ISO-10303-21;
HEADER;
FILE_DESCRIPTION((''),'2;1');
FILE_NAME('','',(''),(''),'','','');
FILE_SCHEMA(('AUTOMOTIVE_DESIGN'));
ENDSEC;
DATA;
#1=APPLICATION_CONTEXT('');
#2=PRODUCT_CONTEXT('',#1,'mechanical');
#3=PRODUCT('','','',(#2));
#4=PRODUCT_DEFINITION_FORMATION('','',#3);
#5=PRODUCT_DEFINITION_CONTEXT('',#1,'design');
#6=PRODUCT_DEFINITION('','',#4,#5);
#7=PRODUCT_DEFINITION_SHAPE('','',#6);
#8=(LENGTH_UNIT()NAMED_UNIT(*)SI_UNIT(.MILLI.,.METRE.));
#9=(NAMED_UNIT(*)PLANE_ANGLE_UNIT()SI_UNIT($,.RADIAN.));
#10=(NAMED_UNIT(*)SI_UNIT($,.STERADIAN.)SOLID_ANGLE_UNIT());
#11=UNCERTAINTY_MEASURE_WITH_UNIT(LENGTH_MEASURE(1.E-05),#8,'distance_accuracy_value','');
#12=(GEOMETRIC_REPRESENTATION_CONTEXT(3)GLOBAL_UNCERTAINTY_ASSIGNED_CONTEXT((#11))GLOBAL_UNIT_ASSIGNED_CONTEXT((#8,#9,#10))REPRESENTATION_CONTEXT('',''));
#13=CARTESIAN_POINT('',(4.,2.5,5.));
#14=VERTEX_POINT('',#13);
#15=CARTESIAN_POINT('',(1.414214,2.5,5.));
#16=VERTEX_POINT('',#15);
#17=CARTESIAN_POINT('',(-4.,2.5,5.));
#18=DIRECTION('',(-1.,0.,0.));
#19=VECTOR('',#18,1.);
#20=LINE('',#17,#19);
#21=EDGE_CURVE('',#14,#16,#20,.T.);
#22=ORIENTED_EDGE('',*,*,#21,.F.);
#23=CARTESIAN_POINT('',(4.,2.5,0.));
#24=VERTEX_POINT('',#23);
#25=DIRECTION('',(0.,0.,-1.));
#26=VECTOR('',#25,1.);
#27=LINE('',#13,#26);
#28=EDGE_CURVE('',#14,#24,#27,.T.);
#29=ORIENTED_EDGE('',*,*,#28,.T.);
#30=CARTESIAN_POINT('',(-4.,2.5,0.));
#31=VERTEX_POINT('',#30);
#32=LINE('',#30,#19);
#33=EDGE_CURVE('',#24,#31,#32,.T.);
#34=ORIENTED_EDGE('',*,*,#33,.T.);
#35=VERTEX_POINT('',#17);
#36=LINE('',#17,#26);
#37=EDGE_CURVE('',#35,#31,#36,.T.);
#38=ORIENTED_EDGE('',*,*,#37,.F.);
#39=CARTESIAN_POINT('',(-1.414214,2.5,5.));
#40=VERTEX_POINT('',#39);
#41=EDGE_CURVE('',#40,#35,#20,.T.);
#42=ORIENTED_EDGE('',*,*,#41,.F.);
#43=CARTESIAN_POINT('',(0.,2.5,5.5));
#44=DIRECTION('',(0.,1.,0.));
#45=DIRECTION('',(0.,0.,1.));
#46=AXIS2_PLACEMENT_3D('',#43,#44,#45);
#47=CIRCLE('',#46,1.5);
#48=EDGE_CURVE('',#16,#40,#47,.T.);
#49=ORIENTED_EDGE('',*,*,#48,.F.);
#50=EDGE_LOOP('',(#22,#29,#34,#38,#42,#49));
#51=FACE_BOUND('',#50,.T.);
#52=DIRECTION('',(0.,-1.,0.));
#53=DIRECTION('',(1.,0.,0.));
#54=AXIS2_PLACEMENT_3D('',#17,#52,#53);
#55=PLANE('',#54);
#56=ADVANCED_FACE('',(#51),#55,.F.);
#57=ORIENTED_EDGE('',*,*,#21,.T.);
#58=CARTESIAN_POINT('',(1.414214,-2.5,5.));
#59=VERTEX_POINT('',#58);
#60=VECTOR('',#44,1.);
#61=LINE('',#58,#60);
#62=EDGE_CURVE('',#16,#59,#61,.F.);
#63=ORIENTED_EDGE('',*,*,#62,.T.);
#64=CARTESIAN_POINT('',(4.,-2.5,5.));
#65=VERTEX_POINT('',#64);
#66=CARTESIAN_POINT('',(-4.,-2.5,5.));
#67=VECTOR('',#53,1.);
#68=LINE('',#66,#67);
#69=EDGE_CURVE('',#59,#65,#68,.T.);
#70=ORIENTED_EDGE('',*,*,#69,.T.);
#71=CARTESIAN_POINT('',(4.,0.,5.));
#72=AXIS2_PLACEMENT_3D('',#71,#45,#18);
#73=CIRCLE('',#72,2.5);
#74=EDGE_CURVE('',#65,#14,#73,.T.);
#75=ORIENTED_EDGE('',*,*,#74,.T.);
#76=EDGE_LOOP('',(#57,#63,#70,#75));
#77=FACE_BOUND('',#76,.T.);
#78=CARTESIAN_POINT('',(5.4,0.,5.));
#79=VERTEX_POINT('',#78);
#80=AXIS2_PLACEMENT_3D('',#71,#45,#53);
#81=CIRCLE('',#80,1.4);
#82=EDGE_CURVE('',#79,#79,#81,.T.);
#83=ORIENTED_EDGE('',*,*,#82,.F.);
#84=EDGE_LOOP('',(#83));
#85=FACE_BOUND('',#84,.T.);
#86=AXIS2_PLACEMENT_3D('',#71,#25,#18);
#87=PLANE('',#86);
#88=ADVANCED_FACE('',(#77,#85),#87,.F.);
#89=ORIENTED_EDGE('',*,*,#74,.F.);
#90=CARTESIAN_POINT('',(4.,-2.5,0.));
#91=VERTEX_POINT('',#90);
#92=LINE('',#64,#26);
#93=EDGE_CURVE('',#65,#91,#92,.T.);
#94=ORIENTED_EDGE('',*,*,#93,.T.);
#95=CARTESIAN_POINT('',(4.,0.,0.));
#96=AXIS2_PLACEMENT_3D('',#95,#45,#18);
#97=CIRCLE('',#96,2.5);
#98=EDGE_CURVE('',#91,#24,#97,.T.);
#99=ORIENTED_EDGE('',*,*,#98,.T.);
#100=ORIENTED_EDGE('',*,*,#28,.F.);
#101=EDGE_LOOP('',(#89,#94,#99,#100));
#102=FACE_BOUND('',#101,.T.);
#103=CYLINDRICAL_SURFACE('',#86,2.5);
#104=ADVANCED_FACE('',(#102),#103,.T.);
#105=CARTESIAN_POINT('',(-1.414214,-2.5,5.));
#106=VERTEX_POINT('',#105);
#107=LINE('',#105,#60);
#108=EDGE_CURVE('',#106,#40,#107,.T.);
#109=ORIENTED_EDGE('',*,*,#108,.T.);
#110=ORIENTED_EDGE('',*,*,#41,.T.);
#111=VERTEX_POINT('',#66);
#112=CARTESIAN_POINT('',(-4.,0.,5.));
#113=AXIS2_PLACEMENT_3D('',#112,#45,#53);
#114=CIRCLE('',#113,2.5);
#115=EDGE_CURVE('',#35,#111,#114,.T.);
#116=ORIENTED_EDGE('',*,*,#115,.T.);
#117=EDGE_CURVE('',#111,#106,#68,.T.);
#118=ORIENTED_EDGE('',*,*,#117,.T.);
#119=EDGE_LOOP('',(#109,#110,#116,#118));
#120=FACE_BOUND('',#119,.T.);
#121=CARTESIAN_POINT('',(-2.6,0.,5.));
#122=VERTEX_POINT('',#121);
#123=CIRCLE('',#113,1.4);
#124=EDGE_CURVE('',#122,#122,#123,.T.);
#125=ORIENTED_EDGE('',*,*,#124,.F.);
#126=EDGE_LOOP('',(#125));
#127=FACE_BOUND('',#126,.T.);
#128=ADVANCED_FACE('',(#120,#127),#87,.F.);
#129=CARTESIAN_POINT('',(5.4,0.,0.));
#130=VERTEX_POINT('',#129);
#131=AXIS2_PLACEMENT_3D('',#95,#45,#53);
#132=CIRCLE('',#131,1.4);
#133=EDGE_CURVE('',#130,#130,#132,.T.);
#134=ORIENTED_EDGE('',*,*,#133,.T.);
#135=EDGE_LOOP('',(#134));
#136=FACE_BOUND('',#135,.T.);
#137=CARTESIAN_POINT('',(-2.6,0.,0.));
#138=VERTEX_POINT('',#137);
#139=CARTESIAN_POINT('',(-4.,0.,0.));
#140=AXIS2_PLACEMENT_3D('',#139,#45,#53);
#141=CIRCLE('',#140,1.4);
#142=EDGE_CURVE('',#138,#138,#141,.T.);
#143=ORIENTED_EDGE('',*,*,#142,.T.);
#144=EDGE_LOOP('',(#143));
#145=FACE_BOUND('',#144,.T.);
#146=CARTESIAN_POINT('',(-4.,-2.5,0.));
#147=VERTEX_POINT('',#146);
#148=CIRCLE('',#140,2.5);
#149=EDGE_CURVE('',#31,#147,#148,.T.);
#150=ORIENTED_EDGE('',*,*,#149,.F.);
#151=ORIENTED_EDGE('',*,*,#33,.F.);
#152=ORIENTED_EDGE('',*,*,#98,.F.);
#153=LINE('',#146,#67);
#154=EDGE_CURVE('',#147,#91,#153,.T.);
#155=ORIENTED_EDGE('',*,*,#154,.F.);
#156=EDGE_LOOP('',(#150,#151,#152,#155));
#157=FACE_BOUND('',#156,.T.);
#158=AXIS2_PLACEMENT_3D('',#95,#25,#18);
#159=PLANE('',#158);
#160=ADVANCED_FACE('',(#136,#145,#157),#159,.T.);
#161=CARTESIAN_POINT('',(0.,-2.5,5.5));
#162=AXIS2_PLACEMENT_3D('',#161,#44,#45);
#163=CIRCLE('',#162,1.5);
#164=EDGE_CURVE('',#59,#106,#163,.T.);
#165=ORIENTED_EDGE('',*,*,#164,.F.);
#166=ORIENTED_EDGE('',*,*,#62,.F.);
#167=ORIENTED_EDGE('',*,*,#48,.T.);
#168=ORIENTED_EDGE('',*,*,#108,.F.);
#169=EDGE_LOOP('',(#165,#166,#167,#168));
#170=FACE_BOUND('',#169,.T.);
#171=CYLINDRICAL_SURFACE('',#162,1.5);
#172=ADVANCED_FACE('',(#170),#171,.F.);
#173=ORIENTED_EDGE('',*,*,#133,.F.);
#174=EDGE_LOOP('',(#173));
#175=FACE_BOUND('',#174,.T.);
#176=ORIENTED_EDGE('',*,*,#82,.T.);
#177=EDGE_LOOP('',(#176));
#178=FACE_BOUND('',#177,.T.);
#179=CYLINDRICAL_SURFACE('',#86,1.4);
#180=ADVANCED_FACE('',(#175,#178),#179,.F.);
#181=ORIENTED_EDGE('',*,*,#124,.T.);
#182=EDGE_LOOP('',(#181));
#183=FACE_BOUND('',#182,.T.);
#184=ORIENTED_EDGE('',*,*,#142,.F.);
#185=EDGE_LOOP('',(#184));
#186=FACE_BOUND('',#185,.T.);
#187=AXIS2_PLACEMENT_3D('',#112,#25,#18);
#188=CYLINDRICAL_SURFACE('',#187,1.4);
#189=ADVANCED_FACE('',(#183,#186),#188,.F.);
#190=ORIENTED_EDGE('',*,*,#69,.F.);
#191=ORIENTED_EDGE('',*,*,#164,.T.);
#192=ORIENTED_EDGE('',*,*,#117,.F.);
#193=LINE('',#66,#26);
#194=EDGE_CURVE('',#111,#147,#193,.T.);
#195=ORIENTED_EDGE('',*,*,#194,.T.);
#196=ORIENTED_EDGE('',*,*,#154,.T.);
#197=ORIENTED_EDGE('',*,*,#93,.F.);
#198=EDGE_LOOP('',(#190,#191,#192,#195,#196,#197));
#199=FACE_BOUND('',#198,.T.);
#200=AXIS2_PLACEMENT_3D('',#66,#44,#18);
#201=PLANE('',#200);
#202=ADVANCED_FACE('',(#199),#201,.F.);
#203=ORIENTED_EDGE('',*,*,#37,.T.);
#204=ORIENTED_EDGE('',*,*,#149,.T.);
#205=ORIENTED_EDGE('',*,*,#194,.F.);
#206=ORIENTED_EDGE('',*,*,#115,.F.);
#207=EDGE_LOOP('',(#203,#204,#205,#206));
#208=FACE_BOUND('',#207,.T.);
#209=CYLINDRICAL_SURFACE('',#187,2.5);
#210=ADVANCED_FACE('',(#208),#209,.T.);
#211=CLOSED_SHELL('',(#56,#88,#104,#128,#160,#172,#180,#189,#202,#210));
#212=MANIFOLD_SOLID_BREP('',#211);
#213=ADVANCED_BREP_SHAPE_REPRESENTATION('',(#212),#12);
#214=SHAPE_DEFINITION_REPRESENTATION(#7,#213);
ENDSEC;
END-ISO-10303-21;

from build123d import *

# Parameters (mm, degrees)
SKETCH1_R           = 1.4
BOSS_EXTRUDE1_DEPTH = 5
SKETCH2_R           = 1.5
CUT_EXTRUDE1_DEPTH  = 10.604686356


with BuildPart() as part:
    # Sketch1 → Boss-Extrude1 (new body)
    with BuildSketch(Plane.XY):
        with BuildLine():
            Line((-4, -2.5), (4, -2.5))
            ThreePointArc((4, -2.5), (6.5, 0), (4, 2.5))
            Line((4, 2.5), (-4, 2.5))
            ThreePointArc((-4, 2.5), (-6.5, 0), (-4, -2.5))
        make_face()
        with Locations((-4, 0)):
            Circle(SKETCH1_R, mode=Mode.SUBTRACT)
        with Locations((4, 0)):
            Circle(SKETCH1_R, mode=Mode.SUBTRACT)
    extrude(amount=BOSS_EXTRUDE1_DEPTH)

    # Sketch2 → Cut-Extrude1 (cut, through all)
    with BuildSketch(Plane(origin=(0, 2.5, 0), x_dir=(1, 0, 0), z_dir=(0, 1, 0))):
        with Locations((0, -5.5)):
            Circle(SKETCH2_R)
    extrude(amount=-CUT_EXTRUDE1_DEPTH, mode=Mode.SUBTRACT)


solid = part.part
